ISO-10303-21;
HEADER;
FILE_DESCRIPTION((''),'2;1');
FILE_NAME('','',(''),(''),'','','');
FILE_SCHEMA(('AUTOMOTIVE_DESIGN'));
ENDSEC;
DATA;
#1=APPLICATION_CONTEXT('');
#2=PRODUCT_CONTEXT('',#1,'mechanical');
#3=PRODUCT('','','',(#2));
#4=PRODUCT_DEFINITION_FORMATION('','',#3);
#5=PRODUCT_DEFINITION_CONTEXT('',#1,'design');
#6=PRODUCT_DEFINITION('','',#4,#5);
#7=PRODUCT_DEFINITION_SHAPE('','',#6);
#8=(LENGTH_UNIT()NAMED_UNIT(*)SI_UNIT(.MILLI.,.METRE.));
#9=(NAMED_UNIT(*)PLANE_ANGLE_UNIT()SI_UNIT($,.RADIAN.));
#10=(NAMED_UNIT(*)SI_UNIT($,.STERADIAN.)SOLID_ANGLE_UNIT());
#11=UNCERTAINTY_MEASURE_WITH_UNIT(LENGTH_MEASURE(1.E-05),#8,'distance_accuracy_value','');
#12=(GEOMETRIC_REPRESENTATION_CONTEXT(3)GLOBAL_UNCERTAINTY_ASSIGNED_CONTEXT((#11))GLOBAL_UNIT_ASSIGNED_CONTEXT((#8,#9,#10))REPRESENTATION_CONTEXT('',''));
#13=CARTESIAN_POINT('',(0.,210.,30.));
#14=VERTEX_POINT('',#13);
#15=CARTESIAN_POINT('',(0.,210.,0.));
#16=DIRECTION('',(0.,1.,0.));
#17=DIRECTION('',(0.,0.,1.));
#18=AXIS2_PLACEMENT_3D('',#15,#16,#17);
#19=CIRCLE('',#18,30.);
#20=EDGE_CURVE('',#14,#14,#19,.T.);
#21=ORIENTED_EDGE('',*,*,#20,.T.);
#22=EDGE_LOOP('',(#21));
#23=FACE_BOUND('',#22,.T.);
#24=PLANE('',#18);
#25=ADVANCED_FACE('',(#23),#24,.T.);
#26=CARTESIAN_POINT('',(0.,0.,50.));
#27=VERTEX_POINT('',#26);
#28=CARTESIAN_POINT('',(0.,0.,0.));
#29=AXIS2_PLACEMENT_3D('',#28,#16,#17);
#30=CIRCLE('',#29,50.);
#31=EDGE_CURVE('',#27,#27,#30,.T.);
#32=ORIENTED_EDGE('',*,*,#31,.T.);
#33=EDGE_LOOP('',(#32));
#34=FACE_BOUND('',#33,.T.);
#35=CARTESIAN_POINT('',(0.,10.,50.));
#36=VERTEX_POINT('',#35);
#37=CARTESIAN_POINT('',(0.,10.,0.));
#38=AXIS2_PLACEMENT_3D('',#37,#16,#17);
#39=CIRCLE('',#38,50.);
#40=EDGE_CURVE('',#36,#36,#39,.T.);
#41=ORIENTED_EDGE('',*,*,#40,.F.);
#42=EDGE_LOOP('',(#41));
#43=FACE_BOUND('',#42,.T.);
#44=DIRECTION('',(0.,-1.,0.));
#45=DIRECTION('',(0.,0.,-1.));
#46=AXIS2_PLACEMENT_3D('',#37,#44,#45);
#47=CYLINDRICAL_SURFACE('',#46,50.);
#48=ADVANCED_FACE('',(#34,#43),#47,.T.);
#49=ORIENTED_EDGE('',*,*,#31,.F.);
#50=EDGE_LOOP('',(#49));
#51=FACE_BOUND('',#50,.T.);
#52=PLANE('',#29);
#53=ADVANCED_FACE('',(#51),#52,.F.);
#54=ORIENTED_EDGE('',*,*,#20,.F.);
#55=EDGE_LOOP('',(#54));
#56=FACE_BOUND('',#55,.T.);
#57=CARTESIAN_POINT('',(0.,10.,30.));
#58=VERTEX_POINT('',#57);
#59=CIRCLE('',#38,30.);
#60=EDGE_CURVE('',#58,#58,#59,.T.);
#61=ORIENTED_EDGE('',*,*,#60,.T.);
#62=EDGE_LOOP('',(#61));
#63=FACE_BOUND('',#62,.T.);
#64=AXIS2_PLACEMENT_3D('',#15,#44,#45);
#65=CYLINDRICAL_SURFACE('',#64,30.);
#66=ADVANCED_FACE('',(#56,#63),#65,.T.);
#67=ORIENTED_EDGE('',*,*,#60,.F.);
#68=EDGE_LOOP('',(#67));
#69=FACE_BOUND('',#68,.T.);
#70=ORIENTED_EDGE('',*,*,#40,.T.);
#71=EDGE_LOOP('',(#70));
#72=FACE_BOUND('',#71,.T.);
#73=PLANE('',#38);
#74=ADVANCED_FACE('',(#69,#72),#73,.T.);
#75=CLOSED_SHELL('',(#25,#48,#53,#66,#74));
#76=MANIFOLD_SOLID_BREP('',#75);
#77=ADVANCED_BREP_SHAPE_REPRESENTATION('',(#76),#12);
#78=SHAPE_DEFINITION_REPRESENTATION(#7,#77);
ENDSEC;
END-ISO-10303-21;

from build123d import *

# Parameters (mm, degrees)
SKETCH1_R           = 50
BOSS_EXTRUDE1_DEPTH = 10
SKETCH2_R           = 30
BOSS_EXTRUDE2_DEPTH = 200


with BuildPart() as part:
    # Sketch1 → Boss-Extrude1 (new body)
    with BuildSketch(Plane(origin=(0, 0, 0), x_dir=(1, 0, 0), z_dir=(0, 1, 0))):
        Circle(SKETCH1_R)
    extrude(amount=BOSS_EXTRUDE1_DEPTH)

    # Sketch2 → Boss-Extrude2 (add)
    with BuildSketch(Plane(origin=(0, 10, 0), x_dir=(1, 0, 0), z_dir=(0, 1, 0))):
        Circle(SKETCH2_R)
    extrude(amount=BOSS_EXTRUDE2_DEPTH)


solid = part.part
